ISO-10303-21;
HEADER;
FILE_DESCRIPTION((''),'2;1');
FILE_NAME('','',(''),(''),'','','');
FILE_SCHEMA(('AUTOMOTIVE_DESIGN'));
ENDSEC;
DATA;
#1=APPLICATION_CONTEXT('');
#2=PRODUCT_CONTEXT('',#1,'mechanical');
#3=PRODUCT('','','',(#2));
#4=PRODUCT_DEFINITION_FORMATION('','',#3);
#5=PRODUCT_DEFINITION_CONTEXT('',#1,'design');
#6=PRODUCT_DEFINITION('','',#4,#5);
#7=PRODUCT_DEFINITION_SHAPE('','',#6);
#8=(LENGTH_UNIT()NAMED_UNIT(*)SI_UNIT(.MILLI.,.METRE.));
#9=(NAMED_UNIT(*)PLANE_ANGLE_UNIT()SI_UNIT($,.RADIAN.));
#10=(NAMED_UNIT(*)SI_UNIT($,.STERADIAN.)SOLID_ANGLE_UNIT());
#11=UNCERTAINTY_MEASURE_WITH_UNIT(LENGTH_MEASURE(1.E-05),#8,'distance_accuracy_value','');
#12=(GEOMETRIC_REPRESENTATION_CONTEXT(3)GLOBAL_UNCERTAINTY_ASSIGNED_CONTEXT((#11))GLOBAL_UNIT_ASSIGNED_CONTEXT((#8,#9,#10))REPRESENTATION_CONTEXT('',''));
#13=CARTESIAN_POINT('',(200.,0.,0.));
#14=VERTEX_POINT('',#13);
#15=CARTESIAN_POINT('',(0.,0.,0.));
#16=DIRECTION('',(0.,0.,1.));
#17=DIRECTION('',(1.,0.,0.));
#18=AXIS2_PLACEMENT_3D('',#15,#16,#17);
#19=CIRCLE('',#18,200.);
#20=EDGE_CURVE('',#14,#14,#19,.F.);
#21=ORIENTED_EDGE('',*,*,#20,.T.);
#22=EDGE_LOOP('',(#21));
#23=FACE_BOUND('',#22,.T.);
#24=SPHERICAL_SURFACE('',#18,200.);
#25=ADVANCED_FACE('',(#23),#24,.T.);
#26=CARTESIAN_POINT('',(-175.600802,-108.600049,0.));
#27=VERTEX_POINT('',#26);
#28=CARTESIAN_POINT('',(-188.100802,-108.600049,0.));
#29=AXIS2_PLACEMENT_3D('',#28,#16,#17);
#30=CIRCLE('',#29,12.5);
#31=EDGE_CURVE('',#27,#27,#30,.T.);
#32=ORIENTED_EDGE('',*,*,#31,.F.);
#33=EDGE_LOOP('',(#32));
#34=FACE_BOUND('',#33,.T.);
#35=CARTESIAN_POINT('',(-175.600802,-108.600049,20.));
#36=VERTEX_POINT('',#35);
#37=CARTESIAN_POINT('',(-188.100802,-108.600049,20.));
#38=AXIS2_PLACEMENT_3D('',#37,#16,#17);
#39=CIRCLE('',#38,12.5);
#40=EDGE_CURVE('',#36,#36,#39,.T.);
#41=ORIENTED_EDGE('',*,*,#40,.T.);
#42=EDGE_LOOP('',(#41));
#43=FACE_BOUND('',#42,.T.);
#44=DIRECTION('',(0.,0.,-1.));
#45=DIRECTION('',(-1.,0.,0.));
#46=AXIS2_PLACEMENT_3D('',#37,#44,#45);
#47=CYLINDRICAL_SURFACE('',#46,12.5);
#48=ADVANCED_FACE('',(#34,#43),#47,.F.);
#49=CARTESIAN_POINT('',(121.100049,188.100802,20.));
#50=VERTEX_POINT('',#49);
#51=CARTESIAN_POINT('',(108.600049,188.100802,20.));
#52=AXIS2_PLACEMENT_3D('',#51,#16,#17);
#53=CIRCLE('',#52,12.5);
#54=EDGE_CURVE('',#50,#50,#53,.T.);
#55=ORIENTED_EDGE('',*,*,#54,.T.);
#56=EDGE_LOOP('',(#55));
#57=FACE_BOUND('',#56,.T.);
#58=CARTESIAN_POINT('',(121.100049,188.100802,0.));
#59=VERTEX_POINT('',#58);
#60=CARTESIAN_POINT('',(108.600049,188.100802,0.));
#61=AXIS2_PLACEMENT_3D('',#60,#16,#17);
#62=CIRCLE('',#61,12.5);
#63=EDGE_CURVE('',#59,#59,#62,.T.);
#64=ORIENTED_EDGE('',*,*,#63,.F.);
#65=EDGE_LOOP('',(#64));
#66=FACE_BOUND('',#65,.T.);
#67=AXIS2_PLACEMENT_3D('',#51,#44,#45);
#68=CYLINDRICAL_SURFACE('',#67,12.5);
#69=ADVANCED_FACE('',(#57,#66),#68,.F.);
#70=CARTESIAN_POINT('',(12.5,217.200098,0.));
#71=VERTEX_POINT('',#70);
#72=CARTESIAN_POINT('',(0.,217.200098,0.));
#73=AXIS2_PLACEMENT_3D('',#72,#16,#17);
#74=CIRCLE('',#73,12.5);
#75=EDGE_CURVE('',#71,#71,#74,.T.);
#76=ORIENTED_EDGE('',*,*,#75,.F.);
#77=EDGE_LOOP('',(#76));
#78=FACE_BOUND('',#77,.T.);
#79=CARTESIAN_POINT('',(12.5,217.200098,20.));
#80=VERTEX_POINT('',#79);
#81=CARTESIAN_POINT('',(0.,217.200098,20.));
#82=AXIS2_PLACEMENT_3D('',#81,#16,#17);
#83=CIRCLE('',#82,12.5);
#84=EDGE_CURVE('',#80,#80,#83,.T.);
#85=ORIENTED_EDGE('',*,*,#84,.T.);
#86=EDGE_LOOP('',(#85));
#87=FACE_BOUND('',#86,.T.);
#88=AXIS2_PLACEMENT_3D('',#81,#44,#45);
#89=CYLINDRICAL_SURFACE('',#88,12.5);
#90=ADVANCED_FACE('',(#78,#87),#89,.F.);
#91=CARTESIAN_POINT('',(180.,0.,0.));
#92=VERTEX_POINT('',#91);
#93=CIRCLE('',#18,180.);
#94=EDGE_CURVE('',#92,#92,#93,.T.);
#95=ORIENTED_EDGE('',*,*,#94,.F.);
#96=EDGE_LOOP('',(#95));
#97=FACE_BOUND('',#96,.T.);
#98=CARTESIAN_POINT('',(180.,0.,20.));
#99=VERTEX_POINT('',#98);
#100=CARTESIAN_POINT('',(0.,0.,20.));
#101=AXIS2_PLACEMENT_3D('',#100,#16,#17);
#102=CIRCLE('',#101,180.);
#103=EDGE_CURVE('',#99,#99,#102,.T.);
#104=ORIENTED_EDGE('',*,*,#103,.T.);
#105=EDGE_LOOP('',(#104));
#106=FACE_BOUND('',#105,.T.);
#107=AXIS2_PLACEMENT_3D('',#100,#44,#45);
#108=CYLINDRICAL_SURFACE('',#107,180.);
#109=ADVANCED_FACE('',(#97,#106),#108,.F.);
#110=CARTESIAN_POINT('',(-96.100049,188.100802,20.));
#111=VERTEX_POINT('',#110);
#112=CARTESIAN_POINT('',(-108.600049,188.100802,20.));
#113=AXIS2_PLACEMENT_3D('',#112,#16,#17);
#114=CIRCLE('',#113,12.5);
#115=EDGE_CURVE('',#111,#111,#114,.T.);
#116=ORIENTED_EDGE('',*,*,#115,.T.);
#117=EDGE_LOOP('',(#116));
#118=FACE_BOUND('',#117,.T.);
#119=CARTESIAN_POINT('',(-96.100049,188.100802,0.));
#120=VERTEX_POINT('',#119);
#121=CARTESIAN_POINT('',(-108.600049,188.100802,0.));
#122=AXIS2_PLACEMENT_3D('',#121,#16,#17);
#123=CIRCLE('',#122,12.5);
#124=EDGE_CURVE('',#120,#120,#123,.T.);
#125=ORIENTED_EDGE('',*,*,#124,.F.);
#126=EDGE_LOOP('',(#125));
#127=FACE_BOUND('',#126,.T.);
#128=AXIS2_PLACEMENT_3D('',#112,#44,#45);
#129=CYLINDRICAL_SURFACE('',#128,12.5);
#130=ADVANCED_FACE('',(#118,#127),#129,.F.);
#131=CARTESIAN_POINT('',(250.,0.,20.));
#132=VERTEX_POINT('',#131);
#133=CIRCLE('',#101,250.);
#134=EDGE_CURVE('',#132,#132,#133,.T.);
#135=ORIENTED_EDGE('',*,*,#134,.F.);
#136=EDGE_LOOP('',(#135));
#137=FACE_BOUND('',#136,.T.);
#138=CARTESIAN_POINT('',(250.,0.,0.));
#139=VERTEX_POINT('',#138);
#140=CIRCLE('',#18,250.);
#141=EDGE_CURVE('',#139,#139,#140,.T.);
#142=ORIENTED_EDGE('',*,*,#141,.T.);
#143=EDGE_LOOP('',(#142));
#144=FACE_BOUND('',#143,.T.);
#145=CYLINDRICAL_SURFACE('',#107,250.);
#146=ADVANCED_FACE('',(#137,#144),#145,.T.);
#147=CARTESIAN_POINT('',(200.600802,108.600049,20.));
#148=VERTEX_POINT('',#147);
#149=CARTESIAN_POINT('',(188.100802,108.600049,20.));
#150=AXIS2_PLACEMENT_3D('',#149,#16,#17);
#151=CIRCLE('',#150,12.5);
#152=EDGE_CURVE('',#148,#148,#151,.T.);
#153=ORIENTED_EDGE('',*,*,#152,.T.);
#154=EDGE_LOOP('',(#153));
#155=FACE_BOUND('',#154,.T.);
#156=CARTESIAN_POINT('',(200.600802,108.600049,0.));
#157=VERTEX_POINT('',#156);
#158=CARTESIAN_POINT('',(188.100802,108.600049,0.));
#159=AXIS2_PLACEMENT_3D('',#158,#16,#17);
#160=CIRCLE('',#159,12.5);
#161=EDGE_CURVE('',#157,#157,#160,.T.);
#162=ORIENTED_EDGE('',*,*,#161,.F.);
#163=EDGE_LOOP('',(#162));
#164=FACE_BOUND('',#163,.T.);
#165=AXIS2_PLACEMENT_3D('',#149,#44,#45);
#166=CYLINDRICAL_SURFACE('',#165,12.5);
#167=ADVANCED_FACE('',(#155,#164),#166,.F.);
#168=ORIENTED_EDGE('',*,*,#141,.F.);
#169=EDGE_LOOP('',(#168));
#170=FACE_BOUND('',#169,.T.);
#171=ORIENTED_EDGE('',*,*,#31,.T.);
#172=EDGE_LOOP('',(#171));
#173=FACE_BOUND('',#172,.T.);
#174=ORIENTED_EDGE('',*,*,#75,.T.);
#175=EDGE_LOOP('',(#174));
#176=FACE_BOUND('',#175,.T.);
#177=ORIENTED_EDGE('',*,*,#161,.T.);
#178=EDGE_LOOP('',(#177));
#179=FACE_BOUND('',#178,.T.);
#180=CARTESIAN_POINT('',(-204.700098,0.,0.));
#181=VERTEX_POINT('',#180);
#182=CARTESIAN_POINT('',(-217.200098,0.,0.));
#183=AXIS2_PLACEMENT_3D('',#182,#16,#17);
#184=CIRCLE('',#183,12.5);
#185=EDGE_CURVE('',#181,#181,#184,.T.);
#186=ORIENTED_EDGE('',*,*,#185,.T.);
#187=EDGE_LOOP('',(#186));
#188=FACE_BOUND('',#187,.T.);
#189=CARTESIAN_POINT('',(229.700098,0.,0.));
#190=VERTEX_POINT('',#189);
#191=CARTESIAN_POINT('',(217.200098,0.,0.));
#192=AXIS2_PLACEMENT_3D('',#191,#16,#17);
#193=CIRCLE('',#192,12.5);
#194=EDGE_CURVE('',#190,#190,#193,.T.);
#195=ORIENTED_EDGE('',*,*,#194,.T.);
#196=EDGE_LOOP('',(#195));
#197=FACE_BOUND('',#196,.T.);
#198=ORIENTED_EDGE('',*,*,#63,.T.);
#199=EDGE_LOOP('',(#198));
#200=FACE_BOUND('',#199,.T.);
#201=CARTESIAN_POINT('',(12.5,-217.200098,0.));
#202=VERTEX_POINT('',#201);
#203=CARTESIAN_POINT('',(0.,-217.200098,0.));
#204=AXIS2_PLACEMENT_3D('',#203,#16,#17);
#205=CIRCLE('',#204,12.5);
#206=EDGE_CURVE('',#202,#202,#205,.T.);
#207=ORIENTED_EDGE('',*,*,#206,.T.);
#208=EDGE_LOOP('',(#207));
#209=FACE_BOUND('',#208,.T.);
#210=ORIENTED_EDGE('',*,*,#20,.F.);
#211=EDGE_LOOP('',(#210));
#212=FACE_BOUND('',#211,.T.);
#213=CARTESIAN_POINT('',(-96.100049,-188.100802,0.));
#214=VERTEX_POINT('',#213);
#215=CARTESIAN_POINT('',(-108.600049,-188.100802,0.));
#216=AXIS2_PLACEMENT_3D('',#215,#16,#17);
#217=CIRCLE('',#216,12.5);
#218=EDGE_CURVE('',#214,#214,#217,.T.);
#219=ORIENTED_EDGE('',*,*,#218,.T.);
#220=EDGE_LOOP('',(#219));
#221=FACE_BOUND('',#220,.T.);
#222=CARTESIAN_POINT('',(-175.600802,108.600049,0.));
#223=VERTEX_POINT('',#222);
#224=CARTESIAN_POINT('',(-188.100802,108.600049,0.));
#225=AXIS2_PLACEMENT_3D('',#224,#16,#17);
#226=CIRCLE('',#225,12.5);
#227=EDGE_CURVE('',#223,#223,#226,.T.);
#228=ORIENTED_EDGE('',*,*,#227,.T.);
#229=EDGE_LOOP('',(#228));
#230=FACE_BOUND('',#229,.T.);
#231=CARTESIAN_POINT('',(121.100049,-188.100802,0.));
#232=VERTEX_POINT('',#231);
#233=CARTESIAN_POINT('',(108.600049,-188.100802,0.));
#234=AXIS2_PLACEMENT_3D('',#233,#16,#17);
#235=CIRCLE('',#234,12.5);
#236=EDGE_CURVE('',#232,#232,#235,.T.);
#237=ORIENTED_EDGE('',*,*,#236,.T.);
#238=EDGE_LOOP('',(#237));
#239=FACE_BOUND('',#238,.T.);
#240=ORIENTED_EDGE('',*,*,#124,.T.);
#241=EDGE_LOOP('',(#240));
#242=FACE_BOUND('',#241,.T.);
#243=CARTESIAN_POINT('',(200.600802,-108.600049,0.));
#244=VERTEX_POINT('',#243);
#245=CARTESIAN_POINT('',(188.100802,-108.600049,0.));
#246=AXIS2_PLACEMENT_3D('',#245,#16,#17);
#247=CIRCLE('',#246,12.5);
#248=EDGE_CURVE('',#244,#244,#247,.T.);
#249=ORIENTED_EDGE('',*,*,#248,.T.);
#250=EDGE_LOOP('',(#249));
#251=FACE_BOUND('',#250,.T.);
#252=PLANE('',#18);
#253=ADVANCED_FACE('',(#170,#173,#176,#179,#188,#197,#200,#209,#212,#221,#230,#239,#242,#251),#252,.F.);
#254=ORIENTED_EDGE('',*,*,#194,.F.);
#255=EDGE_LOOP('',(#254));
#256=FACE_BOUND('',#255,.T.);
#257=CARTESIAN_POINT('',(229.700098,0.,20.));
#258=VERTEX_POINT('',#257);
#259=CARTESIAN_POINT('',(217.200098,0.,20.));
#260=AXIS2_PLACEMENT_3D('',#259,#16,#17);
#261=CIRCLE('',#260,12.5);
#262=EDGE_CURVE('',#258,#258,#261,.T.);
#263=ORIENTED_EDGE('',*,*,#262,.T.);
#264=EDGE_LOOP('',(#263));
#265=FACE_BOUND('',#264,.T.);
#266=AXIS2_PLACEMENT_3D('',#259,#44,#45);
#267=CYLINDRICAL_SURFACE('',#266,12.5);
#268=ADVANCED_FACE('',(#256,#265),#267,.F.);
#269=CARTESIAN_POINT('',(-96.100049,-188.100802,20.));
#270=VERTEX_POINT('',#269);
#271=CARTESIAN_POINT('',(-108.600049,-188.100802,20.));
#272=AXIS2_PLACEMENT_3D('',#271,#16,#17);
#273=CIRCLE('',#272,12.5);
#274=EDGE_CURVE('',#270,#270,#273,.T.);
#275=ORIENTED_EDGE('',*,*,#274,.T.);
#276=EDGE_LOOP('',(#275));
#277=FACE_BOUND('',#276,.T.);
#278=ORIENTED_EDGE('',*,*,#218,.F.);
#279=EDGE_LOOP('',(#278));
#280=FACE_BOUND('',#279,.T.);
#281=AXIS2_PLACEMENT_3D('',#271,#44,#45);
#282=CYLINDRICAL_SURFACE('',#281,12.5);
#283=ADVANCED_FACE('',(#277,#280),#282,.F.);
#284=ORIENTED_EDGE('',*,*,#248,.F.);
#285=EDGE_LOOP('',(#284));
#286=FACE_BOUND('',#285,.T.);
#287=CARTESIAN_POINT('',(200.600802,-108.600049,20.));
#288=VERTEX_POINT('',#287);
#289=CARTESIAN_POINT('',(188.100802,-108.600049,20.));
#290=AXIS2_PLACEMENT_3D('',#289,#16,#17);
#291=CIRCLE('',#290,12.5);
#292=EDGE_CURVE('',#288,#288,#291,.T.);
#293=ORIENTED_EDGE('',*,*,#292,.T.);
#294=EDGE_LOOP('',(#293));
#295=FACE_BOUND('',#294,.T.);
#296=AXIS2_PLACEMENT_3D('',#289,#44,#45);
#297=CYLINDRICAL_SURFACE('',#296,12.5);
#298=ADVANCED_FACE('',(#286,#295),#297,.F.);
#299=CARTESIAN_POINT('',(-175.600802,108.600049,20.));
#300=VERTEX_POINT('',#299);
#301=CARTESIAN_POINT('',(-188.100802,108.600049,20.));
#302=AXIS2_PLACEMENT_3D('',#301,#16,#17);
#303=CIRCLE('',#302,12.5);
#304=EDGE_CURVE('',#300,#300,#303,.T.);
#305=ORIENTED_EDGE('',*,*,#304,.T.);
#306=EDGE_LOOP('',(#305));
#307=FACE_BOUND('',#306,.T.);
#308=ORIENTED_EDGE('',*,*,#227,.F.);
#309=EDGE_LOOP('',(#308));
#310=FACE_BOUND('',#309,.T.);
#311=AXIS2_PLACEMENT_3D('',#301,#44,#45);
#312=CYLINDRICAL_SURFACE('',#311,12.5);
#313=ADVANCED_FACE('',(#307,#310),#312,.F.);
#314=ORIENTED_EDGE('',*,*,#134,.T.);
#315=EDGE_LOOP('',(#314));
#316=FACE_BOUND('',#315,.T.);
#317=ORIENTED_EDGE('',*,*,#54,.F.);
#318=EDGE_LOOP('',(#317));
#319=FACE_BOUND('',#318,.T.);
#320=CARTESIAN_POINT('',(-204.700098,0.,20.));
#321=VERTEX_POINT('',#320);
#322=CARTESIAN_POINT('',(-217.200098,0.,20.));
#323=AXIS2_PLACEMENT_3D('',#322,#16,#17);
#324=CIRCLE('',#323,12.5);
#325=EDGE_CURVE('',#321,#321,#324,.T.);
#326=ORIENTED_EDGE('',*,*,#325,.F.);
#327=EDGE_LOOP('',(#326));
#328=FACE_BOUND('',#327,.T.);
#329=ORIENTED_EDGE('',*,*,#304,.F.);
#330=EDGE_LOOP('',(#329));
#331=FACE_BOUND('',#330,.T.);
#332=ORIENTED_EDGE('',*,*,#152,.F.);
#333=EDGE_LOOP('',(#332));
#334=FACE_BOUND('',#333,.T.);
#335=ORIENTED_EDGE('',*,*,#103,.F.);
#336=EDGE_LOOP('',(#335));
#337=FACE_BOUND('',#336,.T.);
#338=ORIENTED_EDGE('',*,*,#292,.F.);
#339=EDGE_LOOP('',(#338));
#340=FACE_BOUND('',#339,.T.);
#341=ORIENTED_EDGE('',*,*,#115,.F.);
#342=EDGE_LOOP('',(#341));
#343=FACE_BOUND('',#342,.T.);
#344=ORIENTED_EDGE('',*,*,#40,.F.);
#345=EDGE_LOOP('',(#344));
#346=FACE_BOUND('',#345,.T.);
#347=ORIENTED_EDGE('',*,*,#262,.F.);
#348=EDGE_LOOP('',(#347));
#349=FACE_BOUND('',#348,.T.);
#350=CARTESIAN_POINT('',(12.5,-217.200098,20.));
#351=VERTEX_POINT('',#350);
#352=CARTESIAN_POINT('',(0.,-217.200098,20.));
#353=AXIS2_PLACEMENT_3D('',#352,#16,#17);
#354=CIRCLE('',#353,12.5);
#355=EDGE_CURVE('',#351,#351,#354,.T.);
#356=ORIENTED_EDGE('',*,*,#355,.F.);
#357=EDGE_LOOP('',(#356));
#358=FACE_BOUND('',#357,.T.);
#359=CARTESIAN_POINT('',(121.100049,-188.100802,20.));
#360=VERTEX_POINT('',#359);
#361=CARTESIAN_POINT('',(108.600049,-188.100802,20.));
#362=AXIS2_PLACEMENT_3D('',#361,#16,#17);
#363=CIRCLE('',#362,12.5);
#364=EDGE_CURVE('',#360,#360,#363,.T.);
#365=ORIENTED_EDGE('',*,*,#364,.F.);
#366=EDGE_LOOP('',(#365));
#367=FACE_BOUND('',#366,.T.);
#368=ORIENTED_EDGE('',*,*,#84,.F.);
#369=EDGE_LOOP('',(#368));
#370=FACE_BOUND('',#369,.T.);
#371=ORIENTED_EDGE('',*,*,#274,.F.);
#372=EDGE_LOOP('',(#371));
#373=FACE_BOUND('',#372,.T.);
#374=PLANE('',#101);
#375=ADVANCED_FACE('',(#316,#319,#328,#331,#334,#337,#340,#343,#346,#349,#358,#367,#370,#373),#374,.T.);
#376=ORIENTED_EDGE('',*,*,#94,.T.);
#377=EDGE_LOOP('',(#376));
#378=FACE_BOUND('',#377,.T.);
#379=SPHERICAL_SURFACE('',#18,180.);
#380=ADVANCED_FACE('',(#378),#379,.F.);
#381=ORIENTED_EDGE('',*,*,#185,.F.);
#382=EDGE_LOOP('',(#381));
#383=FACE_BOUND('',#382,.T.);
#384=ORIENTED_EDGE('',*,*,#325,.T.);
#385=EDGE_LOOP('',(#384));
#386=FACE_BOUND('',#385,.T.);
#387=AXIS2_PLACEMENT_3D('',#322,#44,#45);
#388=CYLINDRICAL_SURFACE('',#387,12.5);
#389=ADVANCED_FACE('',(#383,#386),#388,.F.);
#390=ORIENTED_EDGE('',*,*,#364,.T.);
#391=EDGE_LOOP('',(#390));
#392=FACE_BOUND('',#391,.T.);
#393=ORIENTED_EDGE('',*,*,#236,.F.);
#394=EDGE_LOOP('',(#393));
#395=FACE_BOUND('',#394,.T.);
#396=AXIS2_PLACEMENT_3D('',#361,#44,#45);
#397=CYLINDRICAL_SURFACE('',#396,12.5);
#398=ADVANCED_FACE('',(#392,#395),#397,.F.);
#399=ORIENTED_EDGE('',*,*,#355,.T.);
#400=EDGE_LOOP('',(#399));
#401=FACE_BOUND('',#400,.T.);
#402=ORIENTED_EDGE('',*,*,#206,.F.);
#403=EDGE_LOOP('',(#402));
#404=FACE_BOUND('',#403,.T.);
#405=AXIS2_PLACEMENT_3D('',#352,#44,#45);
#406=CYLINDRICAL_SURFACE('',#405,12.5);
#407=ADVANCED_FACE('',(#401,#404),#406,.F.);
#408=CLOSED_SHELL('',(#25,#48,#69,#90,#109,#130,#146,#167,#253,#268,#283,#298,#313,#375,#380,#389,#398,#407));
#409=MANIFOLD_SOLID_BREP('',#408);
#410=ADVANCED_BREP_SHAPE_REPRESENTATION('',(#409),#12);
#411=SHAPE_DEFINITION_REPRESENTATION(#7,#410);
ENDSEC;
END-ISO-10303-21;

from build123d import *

# Parameters (mm, degrees)
SKETCH1_R           = 250
SKETCH1_R_2         = 180
SKETCH1_R_3         = 12.5
BOSS_EXTRUDE2_DEPTH = 20
REVOLVE1_ANGLE      = 180


with BuildPart() as part:
    # Sketch1 → Boss-Extrude2 (new body)
    with BuildSketch(Plane.XY):
        Circle(SKETCH1_R)
        Circle(SKETCH1_R_2, mode=Mode.SUBTRACT)
        with Locations((0, 217.200097765)):
            Circle(SKETCH1_R_3, mode=Mode.SUBTRACT)
        with Locations((108.600048882, 188.100802369)):
            Circle(SKETCH1_R_3, mode=Mode.SUBTRACT)
        with Locations((188.100802369, 108.600048882)):
            Circle(SKETCH1_R_3, mode=Mode.SUBTRACT)
        with Locations((217.200097765, 0)):
            Circle(SKETCH1_R_3, mode=Mode.SUBTRACT)
        with Locations((188.100802369, -108.600048882)):
            Circle(SKETCH1_R_3, mode=Mode.SUBTRACT)
        with Locations((108.600048882, -188.100802369)):
            Circle(SKETCH1_R_3, mode=Mode.SUBTRACT)
        with Locations((0, -217.200097765)):
            Circle(SKETCH1_R_3, mode=Mode.SUBTRACT)
        with Locations((-108.600048882, -188.100802369)):
            Circle(SKETCH1_R_3, mode=Mode.SUBTRACT)
        with Locations((-188.100802369, -108.600048882)):
            Circle(SKETCH1_R_3, mode=Mode.SUBTRACT)
        with Locations((-217.200097765, 0)):
            Circle(SKETCH1_R_3, mode=Mode.SUBTRACT)
        with Locations((-188.100802369, 108.600048882)):
            Circle(SKETCH1_R_3, mode=Mode.SUBTRACT)
        with Locations((-108.600048882, 188.100802369)):
            Circle(SKETCH1_R_3, mode=Mode.SUBTRACT)
    extrude(amount=BOSS_EXTRUDE2_DEPTH)

    # Sketch2 → Revolve1 (revolve)
    with BuildSketch(Plane(origin=(0, 0, 0), x_dir=(-1, 0, 0), z_dir=(0, 0, -1))):
        with BuildLine():
            Line((0, 180), (0, 200))
            ThreePointArc((0, 200), (200, 0), (0, -200))
            Line((0, -200), (0, -180))
            ThreePointArc((0, -180), (180, 0), (0, 180))
        make_face()
    revolve(axis=Axis((0, 180, 0), (0, -1, 0)), revolution_arc=REVOLVE1_ANGLE)


solid = part.part
